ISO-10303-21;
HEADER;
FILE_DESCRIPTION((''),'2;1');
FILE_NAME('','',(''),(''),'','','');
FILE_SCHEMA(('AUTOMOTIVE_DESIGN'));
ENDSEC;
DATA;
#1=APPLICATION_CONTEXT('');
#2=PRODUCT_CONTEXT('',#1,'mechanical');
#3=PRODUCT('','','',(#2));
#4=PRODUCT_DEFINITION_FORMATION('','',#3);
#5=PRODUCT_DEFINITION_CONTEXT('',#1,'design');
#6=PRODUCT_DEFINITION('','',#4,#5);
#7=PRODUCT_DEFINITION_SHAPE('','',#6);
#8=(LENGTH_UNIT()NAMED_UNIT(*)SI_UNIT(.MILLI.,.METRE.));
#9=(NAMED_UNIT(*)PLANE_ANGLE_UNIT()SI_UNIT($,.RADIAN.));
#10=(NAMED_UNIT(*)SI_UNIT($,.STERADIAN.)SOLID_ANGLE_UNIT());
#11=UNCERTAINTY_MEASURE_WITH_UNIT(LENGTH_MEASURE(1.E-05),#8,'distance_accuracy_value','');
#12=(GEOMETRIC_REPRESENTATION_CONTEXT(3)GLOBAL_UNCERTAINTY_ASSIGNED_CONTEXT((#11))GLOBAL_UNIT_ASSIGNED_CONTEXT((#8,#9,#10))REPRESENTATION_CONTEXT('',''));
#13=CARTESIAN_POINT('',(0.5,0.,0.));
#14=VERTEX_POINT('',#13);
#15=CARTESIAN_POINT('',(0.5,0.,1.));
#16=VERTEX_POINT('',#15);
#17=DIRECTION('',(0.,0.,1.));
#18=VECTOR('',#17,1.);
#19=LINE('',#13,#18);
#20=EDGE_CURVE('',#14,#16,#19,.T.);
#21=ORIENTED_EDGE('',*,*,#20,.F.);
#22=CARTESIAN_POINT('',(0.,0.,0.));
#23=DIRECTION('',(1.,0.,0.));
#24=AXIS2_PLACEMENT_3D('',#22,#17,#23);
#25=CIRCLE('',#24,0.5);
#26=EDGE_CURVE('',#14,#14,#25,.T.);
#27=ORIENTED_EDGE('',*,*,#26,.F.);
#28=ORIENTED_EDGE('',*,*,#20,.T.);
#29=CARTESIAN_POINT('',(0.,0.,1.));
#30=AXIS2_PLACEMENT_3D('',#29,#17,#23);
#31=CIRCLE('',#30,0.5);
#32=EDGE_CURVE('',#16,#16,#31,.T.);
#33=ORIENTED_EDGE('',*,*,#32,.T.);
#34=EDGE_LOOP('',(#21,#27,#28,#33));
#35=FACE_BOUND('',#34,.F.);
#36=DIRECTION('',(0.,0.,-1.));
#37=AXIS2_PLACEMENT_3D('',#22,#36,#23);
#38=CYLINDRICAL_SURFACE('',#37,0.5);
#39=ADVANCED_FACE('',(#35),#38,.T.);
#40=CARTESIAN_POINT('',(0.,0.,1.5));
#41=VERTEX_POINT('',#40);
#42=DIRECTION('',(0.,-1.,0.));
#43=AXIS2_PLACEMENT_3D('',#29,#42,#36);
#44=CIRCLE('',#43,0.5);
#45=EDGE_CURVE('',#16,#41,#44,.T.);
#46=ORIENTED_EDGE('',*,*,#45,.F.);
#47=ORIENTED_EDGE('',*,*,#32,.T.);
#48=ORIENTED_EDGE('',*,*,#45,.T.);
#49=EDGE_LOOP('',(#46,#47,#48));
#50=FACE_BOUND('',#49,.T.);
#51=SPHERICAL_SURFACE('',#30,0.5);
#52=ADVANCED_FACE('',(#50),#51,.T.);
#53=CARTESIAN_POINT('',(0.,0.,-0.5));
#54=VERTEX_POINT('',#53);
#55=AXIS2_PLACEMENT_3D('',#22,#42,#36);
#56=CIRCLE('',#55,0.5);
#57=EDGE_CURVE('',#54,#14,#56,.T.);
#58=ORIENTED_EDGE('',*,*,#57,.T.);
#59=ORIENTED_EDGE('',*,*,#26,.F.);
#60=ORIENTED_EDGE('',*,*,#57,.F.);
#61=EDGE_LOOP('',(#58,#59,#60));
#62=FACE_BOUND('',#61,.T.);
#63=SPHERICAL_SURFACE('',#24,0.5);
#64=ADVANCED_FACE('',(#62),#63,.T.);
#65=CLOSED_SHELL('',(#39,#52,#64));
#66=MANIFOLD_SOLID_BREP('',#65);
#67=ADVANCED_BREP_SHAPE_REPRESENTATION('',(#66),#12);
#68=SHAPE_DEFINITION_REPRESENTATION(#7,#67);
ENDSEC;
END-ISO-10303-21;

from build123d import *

# Parameters (mm, degrees)
CYLINDER003_R     = 0.5
CYLINDER003_DEPTH = 1


with BuildPart() as cylinder003:
    # Cylinder003 → Cylinder003 (new body)
    with BuildSketch(Plane.XY):
        Circle(CYLINDER003_R)
    extrude(amount=CYLINDER003_DEPTH)


with BuildPart() as fusion:
    # Sphere → Sphere (revolve)
    with BuildSketch(Plane.XZ):
        with BuildLine():
            ThreePointArc((0, -0.5), (0.5, 0), (0, 0.5))
            Line((0, 0.5), (0, -0.5))
        make_face()
    revolve(axis=Axis((0, 0, 0), (0, 0, 1)))

    # Fusion: union Cylinder003
    add(cylinder003.part)


with BuildPart() as capsule:
    # Sphere001 → Sphere001 (revolve)
    with BuildSketch(Plane(origin=(0, 0, 1), x_dir=(1, 0, 0), z_dir=(0, -1, 0))):
        with BuildLine():
            ThreePointArc((0, -0.5), (0.5, 0), (0, 0.5))
            Line((0, 0.5), (0, -0.5))
        make_face()
    revolve(axis=Axis((0, 0, 1), (0, 0, 1)))

    # Fusion001: union Fusion
    add(fusion.part)


solid = capsule.part
